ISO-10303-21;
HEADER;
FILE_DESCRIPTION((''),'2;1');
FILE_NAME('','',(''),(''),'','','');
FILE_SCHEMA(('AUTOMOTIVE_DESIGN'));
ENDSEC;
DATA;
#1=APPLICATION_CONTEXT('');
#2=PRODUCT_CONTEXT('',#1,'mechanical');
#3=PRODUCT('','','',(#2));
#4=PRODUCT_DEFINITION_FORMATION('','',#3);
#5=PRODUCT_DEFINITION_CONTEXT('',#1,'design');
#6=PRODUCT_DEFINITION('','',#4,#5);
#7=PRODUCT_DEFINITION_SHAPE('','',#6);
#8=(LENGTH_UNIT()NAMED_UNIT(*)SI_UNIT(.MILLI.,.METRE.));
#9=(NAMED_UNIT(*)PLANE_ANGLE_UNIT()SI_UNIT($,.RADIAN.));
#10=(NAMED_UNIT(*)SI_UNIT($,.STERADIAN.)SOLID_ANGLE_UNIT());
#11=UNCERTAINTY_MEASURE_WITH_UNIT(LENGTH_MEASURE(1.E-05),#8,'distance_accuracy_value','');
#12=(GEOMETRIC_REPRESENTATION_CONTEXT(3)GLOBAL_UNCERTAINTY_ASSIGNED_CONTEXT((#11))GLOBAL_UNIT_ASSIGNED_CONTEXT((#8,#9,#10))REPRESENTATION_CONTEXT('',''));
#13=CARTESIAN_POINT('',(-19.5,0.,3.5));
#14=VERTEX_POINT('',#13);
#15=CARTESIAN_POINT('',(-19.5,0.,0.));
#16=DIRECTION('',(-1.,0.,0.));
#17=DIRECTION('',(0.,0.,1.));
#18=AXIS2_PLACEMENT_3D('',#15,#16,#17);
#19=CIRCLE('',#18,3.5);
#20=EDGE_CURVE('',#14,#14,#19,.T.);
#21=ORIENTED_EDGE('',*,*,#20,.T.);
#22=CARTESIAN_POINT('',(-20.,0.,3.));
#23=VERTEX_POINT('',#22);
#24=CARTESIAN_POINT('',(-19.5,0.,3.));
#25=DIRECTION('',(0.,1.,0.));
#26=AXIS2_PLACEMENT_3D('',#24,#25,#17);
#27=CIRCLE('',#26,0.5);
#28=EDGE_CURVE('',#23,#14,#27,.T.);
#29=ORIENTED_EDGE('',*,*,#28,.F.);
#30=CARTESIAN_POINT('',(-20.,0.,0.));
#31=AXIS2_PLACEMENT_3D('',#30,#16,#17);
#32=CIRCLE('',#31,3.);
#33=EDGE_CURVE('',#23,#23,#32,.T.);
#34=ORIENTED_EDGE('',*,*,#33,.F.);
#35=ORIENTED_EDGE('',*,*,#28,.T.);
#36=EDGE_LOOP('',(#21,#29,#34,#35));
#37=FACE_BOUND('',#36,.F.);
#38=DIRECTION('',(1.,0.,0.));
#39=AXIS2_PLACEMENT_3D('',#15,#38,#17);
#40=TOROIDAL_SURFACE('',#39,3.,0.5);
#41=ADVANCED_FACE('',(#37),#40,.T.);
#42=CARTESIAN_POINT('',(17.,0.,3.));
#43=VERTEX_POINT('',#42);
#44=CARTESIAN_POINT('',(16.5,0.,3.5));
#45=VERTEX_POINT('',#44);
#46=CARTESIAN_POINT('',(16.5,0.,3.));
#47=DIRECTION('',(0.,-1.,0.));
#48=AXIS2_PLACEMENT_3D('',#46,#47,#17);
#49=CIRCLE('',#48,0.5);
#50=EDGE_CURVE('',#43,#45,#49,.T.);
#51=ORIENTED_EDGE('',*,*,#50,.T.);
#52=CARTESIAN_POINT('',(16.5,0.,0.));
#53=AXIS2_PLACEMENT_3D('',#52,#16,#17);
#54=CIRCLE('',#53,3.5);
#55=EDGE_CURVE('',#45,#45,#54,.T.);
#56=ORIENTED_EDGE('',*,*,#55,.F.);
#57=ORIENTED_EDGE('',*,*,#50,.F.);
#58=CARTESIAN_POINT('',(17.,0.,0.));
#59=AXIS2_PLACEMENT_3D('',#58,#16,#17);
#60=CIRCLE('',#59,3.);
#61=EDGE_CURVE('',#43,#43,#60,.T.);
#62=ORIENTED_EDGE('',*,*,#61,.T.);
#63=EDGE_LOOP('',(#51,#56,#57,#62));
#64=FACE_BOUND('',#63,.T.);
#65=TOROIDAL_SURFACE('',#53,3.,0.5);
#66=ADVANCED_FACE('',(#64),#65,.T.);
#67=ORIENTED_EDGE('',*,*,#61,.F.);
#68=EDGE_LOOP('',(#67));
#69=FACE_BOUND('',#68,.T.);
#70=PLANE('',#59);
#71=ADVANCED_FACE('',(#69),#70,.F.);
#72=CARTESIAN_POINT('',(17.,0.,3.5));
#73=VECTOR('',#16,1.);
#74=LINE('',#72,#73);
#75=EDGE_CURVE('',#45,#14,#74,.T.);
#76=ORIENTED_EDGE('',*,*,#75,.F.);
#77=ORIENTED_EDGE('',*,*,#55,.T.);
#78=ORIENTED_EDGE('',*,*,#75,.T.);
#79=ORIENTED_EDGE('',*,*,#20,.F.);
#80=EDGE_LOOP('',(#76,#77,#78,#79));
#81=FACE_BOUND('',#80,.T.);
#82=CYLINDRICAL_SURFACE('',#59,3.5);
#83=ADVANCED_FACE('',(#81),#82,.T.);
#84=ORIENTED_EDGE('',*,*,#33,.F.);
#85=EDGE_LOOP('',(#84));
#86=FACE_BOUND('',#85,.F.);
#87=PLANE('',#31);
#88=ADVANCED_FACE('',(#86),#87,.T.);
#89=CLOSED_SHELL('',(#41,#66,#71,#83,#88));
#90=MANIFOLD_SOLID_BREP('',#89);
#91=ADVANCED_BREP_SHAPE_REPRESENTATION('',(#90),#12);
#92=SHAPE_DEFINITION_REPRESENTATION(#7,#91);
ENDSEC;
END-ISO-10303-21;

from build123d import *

# Parameters (mm, degrees)
F0_W   = 35
F0_H   = 3.5
F0_W_2 = 2
F2_R   = 0.5


with BuildPart() as f1:
    # F0 (on Front) → F1 (revolve)
    with BuildSketch(Plane.XZ):
        with Locations((-2.5, 1.75)):
            Rectangle(F0_W, F0_H)
        with Locations((16, 1.75)):
            Rectangle(F0_W_2, F0_H)
    revolve(axis=Axis((-1.5, 0, 0), (-1, 0, 0)))

    # F2
    f2_edges = [f1.edges().sort_by_distance(p)[0] for p in [
        (-20, 0, -3.5),
        (17, 0, -3.5),
    ]]
    fillet(f2_edges, radius=F2_R)


solid = f1.part
